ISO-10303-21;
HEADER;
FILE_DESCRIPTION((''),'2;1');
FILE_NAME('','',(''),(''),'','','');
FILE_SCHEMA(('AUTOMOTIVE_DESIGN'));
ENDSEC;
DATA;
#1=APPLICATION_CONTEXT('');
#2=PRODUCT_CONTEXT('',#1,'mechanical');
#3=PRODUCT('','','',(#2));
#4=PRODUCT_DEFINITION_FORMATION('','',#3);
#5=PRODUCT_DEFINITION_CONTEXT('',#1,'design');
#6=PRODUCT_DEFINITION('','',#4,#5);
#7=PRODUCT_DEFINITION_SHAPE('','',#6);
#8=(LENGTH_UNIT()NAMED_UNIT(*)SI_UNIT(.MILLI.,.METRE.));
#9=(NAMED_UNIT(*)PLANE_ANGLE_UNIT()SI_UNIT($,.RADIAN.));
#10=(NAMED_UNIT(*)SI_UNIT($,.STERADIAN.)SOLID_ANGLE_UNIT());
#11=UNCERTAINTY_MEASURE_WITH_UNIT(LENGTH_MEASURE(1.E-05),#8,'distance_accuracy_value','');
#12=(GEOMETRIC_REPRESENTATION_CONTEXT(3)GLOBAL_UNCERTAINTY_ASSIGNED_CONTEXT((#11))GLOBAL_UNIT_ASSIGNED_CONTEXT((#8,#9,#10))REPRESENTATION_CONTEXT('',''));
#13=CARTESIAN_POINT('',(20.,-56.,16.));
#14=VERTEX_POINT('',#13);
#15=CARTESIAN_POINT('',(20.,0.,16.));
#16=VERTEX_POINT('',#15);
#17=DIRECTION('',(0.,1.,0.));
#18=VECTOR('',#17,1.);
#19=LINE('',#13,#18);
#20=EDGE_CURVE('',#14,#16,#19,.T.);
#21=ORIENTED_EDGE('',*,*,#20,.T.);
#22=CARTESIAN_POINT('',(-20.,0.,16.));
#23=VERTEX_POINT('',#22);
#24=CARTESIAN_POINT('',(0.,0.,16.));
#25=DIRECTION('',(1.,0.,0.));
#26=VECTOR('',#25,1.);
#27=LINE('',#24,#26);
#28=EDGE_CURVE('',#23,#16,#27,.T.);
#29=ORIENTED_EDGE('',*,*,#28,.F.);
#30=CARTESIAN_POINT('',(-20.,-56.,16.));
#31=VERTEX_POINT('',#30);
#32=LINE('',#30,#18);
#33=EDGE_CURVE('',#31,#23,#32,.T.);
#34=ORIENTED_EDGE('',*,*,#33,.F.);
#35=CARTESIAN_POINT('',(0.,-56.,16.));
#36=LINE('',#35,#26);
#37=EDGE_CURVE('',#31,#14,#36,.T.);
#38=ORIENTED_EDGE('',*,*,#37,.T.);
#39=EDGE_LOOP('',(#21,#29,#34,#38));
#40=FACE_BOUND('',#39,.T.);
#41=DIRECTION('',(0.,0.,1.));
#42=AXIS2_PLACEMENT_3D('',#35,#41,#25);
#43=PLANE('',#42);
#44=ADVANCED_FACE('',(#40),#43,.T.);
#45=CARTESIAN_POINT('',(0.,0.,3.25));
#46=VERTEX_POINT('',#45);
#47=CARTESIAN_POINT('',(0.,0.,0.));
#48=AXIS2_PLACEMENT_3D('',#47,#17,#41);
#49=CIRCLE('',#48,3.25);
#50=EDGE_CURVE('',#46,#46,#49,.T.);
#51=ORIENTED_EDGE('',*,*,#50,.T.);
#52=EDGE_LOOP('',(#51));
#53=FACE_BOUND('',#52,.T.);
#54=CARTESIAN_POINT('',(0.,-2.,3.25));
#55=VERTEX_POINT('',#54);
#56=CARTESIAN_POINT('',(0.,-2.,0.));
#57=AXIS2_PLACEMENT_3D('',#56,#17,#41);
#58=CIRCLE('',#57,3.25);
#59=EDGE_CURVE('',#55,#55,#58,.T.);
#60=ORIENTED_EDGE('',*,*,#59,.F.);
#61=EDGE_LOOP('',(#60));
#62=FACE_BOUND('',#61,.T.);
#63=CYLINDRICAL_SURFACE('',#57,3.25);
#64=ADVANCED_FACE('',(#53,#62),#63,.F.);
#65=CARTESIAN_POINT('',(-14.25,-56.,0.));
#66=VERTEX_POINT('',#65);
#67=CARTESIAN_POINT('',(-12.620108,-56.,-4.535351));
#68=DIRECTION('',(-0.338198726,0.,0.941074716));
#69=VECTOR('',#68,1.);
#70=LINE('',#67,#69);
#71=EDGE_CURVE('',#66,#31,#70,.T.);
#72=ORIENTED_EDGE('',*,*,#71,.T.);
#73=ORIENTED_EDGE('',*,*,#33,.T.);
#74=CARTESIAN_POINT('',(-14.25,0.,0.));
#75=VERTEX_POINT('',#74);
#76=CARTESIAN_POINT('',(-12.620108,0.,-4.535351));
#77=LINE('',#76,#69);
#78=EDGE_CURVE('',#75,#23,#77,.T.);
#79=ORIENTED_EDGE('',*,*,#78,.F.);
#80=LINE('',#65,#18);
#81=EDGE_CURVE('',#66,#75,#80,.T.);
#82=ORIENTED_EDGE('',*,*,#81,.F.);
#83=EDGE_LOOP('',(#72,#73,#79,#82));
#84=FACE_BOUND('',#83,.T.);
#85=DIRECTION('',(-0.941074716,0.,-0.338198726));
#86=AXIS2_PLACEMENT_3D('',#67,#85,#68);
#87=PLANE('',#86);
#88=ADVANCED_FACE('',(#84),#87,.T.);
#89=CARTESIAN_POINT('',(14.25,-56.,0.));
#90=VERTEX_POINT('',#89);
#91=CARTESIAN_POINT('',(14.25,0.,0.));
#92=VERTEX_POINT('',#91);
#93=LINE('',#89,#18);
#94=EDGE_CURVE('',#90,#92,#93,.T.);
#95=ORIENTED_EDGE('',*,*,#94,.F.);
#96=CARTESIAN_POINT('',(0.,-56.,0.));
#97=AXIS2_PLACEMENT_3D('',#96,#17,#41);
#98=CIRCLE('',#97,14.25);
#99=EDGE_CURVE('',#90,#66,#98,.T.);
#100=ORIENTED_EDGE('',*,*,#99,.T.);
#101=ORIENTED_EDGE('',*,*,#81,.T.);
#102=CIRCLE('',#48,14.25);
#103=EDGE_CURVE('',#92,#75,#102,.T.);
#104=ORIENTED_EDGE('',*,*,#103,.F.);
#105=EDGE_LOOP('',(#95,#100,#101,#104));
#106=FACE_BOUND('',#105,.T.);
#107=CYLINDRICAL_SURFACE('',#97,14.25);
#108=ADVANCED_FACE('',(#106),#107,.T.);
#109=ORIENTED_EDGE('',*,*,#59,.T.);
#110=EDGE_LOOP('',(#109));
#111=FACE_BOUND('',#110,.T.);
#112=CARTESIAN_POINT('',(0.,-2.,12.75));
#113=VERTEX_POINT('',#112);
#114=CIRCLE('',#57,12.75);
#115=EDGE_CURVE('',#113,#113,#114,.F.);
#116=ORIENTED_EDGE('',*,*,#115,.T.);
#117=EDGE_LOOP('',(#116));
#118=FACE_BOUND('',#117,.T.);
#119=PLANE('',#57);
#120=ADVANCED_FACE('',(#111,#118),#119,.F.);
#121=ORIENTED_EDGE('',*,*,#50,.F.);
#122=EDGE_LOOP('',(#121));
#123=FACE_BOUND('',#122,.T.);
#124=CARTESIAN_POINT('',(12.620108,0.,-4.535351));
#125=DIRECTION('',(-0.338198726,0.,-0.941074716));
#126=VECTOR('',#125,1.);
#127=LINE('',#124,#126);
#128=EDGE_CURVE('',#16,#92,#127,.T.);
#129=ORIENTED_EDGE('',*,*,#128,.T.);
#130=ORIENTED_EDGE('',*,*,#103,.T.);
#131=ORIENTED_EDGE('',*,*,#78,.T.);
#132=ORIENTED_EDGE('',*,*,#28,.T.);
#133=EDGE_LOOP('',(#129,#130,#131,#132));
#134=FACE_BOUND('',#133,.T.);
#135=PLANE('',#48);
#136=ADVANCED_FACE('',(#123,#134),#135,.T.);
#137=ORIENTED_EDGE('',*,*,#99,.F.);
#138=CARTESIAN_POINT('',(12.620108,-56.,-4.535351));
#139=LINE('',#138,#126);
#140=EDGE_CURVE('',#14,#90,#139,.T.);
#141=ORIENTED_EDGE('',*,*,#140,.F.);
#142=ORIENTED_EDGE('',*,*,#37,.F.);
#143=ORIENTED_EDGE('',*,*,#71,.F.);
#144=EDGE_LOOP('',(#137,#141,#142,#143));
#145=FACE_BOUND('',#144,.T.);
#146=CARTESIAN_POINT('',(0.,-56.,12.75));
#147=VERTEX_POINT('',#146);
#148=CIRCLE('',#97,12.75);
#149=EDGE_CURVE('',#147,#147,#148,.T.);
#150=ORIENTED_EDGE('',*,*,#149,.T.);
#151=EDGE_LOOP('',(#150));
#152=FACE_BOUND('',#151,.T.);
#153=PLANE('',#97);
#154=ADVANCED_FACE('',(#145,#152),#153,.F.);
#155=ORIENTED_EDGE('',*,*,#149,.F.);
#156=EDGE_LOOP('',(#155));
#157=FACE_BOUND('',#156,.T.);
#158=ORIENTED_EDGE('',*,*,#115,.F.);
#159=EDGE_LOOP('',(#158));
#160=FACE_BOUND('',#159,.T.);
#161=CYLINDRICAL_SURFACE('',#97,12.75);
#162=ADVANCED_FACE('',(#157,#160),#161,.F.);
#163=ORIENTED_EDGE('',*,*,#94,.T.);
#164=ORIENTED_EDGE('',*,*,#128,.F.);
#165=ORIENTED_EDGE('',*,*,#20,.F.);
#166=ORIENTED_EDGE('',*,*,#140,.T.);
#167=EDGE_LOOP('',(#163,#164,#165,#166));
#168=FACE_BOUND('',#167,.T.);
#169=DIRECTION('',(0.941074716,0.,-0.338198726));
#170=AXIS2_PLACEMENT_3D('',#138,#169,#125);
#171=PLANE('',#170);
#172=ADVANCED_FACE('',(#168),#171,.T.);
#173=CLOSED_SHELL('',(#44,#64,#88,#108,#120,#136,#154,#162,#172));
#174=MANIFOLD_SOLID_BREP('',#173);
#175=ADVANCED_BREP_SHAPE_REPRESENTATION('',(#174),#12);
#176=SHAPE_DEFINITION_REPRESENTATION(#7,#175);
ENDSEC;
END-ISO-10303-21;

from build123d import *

# Parameters (mm, degrees)
SKETCH2_R           = 12.75
BOSS_EXTRUDE1_DEPTH = 56
SKETCH3_R           = 12.75
SKETCH3_R_2         = 3.25
BOSS_EXTRUDE2_DEPTH = 2


with BuildPart() as part:
    # Sketch2 → Boss-Extrude1 (new body)
    with BuildSketch(Plane(origin=(0, 0, 0), x_dir=(1, 0, 0), z_dir=(0, 1, 0))):
        with BuildLine():
            Line((-20, -16), (20, -16))
            Line((20, -16), (14.25, 0))
            ThreePointArc((14.25, 0), (0, 14.25), (-14.25, 0))
            Line((-14.25, 0), (-20, -16))
        make_face()
        with Locations(Location((0, 0, 0), (0, 0, 270))):
            Circle(SKETCH2_R, mode=Mode.SUBTRACT)
    extrude(amount=-BOSS_EXTRUDE1_DEPTH)

    # Sketch3 → Boss-Extrude2 (add)
    with BuildSketch(Plane(origin=(0, 0, 0), x_dir=(1, 0, 0), z_dir=(0, 1, 0))):
        with Locations(Location((0, 0, 0), (0, 0, 270))):
            Circle(SKETCH3_R)
        with Locations(Location((0, 0, 0), (0, 0, 270))):
            Circle(SKETCH3_R_2, mode=Mode.SUBTRACT)
    extrude(amount=-BOSS_EXTRUDE2_DEPTH)


solid = part.part
